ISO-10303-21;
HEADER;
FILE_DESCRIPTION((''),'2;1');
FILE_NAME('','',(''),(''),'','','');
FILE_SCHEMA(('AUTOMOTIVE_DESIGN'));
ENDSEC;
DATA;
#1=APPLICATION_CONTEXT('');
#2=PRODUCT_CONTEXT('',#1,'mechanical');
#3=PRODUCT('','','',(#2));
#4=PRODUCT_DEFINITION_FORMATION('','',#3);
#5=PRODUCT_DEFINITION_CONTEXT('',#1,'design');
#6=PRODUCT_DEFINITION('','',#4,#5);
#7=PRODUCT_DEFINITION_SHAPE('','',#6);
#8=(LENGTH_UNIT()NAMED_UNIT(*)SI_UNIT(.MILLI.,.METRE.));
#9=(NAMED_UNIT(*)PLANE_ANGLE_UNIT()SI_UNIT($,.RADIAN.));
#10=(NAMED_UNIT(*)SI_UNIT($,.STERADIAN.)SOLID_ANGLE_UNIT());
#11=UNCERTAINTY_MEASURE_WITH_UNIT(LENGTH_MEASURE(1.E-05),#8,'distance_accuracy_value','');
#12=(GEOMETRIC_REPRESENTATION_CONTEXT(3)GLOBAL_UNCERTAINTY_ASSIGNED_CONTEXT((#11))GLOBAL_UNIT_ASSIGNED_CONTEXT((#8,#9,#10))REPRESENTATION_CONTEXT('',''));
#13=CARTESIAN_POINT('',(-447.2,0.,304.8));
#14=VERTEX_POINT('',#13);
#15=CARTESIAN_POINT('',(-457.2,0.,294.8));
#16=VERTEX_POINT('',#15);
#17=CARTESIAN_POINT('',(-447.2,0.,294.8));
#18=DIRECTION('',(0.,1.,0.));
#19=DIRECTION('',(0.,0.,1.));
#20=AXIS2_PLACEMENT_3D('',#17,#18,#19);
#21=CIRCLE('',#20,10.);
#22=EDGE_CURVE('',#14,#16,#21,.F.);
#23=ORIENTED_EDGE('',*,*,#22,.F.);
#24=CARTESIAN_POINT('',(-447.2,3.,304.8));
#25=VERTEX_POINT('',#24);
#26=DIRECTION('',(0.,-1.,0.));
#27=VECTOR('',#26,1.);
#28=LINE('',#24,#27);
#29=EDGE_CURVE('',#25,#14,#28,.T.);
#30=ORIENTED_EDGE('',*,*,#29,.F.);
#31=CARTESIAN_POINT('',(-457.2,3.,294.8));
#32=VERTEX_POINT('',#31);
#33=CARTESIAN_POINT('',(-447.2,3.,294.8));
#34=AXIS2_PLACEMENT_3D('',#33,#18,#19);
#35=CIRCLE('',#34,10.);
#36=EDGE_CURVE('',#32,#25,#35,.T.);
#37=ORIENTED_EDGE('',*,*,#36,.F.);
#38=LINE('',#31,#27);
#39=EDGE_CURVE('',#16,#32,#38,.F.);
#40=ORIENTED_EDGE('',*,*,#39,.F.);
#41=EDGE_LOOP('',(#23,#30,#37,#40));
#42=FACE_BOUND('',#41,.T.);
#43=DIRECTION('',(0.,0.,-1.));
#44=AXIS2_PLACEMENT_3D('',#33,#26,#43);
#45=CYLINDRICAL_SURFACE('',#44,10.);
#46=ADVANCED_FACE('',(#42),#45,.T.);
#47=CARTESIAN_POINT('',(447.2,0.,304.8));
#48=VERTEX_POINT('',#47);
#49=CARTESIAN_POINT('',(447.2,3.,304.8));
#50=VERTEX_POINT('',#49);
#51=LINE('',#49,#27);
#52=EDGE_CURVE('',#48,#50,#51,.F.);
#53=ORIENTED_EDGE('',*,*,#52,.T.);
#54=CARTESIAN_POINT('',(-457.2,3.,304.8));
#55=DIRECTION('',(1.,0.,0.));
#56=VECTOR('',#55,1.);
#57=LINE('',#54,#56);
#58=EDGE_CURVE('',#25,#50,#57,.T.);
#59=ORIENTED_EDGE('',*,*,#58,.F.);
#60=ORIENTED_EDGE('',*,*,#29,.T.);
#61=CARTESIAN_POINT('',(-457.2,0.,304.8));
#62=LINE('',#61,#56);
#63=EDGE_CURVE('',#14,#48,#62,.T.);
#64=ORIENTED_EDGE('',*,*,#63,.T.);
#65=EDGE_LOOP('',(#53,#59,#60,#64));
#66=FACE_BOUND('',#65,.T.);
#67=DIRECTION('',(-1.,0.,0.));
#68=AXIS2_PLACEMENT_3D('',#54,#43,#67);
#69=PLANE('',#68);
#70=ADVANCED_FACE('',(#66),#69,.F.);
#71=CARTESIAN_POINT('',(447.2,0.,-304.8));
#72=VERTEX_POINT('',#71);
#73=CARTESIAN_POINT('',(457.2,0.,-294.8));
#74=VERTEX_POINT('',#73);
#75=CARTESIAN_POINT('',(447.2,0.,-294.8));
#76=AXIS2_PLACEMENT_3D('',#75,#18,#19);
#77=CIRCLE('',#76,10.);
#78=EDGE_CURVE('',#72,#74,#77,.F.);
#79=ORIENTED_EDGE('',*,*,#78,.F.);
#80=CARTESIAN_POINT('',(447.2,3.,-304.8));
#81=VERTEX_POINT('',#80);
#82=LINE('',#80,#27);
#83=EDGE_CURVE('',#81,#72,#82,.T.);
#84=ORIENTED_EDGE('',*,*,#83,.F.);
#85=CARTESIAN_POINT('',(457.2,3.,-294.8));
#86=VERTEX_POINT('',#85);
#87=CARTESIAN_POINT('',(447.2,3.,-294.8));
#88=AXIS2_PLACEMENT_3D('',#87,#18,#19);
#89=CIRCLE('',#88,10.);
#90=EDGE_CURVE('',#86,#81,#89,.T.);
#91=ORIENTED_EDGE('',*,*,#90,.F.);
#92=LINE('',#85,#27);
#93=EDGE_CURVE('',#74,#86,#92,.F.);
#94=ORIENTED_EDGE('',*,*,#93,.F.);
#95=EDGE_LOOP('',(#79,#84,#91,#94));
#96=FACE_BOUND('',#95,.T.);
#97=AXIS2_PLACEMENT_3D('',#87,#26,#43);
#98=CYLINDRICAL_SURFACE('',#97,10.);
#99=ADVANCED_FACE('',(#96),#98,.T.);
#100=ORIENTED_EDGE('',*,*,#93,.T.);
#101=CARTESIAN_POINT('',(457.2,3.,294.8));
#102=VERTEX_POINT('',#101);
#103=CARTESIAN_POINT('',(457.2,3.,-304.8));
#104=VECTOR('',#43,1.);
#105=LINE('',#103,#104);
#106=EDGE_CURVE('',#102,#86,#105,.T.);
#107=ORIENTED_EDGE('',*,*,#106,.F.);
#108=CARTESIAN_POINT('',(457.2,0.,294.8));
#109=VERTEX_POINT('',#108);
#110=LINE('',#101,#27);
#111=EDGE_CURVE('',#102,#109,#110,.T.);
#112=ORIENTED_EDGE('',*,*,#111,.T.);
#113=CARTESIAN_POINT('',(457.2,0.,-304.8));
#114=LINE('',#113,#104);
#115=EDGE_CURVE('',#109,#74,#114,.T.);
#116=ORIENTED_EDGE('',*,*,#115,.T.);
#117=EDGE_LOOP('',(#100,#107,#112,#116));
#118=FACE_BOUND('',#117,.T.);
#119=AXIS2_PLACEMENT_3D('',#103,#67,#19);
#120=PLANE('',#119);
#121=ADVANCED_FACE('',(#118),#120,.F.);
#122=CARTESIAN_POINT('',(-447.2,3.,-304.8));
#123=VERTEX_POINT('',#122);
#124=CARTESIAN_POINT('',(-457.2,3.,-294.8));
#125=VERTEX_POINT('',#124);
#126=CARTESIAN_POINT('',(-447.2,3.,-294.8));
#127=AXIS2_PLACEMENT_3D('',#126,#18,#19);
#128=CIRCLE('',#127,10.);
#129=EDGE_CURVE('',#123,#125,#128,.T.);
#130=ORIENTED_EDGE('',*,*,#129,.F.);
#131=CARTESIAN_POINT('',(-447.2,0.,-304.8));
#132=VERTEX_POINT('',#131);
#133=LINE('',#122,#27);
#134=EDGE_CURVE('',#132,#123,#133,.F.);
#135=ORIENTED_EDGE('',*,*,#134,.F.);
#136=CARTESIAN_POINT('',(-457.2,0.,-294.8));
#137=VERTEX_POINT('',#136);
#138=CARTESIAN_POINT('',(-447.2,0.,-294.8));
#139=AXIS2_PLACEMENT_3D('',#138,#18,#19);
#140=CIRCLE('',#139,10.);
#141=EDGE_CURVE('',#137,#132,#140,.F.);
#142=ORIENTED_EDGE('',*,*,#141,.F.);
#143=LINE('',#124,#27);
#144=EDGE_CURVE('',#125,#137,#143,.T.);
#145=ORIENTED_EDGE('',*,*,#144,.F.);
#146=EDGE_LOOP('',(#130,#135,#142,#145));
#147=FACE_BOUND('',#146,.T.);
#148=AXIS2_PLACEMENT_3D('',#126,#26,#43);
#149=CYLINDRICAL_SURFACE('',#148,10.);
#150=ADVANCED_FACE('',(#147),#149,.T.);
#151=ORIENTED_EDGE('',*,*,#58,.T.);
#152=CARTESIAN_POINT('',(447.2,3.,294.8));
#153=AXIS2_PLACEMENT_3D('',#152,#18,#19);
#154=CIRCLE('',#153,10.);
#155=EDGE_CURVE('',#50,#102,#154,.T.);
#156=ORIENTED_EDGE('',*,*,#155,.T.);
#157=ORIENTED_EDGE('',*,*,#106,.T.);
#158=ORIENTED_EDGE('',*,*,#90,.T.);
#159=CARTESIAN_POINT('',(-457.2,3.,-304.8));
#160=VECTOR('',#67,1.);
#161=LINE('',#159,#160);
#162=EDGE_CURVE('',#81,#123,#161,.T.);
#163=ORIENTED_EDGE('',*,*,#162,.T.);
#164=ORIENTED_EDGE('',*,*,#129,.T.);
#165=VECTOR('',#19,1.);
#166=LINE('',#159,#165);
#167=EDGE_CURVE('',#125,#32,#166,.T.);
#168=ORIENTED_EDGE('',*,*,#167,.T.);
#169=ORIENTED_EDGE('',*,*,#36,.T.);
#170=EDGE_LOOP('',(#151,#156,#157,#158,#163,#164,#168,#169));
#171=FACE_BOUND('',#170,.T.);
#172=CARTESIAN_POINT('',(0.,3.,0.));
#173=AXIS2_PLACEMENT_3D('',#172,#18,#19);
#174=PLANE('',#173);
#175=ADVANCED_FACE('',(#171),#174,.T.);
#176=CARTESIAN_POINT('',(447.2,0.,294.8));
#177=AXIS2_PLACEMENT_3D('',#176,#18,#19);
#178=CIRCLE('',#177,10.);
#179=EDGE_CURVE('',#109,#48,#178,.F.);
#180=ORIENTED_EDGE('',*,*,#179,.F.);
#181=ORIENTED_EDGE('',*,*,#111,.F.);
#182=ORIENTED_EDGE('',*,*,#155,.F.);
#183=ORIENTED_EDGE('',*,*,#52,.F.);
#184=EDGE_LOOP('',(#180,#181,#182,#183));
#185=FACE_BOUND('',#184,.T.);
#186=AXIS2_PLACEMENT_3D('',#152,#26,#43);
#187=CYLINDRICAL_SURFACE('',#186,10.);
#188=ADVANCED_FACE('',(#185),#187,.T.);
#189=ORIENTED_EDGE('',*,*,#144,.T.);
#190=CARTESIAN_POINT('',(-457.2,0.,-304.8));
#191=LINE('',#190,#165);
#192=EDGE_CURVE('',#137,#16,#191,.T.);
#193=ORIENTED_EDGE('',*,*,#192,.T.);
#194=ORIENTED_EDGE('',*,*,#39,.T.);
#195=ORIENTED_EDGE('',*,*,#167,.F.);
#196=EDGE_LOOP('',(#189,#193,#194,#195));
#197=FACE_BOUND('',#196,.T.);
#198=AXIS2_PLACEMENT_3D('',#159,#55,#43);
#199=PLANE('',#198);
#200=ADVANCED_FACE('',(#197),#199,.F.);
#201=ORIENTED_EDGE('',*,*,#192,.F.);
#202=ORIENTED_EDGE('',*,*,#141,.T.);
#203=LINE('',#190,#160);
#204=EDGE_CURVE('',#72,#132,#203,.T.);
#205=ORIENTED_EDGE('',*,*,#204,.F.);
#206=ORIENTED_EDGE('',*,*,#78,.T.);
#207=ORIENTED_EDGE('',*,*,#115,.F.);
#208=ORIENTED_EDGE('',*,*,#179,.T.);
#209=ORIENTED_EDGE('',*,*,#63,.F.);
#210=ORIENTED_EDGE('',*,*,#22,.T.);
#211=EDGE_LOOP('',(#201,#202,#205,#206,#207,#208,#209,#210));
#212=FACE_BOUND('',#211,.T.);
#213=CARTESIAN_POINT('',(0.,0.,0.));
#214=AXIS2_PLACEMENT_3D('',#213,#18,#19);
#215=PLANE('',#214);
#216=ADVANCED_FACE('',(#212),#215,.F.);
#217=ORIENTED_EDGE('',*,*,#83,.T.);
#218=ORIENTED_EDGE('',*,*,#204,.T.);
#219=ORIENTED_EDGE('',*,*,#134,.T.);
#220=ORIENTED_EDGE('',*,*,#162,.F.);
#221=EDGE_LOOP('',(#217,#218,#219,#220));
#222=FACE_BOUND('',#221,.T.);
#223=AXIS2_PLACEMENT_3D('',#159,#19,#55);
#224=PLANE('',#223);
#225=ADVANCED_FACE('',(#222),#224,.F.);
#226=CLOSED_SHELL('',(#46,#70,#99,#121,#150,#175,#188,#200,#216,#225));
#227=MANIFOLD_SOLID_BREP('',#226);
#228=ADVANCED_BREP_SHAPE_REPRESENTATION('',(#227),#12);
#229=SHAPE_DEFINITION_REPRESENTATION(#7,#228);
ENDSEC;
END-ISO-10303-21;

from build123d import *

# Parameters (mm, degrees)
SKETCH1_W           = 914.4
SKETCH1_H           = 609.6
BOSS_EXTRUDE1_DEPTH = 3
FILLET1_R           = 10


with BuildPart() as part:
    # Sketch1 → Boss-Extrude1 (new body)
    with BuildSketch(Plane(origin=(0, 0, 0), x_dir=(1, 0, 0), z_dir=(0, 1, 0))):
        Rectangle(SKETCH1_W, SKETCH1_H)
    extrude(amount=BOSS_EXTRUDE1_DEPTH)

    # Fillet1
    fillet1_edges = [part.edges().sort_by_distance(p)[0] for p in [
        (457.2, 1.5, 304.8),
        (-457.2, 1.5, 304.8),
        (-457.2, 1.5, -304.8),
        (457.2, 1.5, -304.8),
    ]]
    fillet(fillet1_edges, radius=FILLET1_R)


solid = part.part
